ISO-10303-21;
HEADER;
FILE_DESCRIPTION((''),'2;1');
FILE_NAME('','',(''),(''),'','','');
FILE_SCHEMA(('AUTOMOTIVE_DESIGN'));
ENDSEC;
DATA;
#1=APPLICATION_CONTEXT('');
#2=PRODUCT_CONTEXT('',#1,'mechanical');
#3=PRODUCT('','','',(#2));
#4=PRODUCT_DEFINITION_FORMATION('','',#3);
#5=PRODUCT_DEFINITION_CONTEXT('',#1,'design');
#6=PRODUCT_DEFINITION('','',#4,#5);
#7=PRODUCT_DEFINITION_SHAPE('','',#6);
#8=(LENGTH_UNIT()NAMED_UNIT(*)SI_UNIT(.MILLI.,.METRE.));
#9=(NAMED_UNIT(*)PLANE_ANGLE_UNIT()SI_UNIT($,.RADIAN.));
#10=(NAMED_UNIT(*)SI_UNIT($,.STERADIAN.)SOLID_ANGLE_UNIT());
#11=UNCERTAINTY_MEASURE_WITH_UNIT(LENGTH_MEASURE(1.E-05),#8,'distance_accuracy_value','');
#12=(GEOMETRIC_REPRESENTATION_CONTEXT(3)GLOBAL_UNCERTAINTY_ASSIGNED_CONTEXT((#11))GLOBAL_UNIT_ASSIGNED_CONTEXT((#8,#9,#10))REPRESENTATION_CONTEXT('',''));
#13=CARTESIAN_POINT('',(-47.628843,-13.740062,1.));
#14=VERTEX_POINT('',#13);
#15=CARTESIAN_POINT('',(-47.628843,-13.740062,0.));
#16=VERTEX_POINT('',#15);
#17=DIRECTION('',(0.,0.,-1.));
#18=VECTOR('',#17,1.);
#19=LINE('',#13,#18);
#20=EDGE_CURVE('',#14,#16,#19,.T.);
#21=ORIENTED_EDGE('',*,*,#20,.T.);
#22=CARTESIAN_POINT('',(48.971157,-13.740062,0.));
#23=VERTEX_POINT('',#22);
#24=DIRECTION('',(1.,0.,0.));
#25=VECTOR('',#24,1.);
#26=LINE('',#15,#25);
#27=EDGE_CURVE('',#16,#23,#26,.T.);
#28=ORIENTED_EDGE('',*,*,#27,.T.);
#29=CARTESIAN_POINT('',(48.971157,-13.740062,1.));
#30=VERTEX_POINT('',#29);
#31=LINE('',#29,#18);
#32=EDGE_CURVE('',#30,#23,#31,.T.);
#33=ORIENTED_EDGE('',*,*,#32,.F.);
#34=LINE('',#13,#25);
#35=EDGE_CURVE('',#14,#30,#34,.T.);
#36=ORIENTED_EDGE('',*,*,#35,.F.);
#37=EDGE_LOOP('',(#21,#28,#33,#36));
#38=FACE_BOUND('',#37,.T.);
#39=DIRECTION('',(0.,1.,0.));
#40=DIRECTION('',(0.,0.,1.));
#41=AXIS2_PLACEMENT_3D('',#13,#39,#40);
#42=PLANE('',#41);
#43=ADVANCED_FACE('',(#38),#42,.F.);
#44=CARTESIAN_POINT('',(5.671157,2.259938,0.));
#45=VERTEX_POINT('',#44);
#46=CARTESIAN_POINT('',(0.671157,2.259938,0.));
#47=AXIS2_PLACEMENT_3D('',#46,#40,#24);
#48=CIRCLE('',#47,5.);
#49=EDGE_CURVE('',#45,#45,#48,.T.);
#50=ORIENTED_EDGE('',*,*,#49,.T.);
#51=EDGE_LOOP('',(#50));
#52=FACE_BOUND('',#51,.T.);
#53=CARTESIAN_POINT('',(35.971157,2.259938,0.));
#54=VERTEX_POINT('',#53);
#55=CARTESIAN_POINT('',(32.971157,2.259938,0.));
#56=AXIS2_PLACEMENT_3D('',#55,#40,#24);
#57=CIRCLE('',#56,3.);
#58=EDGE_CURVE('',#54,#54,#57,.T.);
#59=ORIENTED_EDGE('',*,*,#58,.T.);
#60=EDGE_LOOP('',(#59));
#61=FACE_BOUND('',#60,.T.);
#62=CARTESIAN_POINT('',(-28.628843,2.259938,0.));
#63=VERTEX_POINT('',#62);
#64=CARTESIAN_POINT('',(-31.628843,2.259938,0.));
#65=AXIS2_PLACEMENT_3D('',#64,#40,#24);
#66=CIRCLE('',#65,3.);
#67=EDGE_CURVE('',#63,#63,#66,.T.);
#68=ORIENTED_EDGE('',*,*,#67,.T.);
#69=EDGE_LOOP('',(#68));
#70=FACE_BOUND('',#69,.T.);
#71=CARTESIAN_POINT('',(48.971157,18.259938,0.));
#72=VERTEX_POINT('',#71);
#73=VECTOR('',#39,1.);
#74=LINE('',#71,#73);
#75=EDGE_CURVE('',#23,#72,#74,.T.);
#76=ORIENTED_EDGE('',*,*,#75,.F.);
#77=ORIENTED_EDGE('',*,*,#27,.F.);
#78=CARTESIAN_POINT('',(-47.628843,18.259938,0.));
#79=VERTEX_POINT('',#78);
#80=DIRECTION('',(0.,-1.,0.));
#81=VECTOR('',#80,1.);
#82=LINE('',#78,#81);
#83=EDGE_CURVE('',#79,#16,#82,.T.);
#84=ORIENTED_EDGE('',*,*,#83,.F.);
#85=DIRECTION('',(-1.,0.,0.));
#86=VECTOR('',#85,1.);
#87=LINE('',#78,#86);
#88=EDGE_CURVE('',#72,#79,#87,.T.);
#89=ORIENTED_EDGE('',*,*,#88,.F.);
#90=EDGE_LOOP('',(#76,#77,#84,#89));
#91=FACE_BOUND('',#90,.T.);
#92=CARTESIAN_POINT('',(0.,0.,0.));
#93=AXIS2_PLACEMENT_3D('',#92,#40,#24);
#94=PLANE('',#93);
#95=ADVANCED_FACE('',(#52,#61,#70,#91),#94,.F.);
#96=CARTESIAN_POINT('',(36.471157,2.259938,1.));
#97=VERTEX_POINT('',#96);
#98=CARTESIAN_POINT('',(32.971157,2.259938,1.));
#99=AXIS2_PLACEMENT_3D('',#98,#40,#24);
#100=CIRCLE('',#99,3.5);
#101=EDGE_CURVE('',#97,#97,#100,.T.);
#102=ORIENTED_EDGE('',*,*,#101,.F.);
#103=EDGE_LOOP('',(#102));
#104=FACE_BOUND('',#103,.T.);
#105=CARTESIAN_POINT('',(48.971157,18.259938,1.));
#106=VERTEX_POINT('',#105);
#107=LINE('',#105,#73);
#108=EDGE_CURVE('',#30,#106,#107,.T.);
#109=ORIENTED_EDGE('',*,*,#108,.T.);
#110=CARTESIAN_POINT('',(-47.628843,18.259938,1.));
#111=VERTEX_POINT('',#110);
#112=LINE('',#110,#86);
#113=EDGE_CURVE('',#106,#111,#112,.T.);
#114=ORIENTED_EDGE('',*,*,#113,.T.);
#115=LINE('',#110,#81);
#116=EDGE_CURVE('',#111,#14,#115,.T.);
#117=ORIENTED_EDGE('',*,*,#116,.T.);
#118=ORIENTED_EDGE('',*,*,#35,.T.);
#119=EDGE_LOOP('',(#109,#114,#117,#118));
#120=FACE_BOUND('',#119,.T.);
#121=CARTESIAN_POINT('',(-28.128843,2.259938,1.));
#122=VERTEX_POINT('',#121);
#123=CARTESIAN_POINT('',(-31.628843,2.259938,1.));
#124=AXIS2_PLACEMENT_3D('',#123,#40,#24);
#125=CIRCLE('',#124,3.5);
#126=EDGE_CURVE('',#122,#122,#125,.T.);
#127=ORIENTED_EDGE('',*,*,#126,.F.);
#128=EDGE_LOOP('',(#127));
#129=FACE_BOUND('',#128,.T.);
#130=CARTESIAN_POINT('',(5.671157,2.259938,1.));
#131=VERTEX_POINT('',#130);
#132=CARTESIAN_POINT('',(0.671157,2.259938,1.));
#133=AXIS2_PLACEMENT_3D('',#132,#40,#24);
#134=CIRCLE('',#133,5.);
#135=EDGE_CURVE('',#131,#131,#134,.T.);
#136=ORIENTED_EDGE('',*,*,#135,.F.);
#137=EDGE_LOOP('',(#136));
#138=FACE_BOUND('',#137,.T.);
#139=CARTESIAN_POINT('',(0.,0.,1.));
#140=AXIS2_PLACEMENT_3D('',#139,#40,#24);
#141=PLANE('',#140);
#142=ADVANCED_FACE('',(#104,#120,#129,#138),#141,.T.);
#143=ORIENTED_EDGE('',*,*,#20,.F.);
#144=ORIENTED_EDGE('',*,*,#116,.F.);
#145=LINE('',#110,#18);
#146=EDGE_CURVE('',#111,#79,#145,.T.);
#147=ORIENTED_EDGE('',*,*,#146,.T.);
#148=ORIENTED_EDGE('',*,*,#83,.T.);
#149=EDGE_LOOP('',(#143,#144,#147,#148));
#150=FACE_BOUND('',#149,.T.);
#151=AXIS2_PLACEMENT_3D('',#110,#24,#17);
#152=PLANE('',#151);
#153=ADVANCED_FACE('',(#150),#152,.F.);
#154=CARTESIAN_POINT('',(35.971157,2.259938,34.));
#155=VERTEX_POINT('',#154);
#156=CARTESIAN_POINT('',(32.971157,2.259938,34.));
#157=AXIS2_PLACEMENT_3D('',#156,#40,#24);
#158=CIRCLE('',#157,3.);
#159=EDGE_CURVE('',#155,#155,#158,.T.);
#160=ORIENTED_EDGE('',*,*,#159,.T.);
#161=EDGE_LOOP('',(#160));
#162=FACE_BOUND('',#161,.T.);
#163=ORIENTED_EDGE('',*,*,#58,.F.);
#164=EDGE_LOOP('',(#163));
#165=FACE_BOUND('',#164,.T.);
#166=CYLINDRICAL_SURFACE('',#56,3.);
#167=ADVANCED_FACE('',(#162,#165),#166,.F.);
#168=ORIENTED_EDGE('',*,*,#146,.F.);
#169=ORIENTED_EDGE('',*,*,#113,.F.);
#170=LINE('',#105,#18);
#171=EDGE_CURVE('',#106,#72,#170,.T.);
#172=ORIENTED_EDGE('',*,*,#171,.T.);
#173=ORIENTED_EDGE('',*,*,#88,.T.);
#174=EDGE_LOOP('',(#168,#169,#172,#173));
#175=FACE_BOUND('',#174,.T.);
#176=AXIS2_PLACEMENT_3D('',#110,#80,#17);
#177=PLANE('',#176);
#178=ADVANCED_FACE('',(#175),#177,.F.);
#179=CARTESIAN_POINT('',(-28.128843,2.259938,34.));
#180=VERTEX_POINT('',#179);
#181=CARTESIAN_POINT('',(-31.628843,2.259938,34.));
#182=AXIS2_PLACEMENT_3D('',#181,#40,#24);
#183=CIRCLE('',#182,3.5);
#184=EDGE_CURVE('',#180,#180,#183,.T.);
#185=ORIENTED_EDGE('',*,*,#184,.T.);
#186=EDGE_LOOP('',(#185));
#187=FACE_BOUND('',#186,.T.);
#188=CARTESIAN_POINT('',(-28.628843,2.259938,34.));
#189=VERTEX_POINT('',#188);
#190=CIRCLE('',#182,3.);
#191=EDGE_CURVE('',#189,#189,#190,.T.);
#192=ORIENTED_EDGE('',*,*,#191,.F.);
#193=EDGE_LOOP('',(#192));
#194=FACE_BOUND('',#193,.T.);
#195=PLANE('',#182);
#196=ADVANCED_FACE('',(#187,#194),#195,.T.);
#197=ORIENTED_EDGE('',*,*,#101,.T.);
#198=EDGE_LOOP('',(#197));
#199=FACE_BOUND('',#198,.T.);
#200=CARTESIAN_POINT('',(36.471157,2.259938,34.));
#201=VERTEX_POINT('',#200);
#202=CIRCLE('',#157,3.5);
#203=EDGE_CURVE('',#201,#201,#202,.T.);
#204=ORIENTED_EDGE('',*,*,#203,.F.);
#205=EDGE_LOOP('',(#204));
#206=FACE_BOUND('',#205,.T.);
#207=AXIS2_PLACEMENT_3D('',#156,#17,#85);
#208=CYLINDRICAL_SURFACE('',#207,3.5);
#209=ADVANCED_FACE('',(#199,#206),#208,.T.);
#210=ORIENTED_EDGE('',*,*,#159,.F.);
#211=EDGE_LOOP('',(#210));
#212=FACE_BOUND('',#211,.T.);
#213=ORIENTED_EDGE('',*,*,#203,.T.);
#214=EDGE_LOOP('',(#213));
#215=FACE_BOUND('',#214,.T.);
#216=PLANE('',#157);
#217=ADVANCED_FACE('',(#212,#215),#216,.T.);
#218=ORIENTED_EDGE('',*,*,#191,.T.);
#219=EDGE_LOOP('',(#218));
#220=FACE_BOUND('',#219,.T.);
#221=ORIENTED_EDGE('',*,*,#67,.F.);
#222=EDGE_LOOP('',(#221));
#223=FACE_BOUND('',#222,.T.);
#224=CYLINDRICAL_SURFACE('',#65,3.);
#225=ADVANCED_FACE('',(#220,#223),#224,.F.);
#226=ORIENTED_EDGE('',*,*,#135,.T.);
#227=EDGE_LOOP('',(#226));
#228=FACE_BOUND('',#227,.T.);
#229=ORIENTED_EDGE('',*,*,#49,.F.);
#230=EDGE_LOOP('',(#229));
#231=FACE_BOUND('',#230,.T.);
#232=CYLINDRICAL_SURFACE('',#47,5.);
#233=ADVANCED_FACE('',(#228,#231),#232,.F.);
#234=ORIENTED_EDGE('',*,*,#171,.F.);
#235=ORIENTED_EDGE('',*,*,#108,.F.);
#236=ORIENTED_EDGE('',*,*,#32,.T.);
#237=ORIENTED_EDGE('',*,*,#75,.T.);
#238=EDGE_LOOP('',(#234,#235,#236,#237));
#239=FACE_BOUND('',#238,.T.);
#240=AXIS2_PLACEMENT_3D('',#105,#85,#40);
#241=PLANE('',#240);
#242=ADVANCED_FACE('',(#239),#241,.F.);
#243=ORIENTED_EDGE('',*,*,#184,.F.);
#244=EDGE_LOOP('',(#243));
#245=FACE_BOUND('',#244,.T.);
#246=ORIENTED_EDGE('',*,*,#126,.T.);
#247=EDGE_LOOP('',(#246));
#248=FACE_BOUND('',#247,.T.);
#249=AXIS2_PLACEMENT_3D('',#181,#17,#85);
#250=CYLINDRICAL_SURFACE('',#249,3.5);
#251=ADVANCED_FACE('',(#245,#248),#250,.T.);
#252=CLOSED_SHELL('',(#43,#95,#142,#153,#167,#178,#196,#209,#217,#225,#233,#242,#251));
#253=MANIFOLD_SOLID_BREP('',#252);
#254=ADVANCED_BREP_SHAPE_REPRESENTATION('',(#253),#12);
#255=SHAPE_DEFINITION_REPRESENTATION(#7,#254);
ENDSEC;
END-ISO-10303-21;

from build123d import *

# Parameters (mm, degrees)
ESQUISSE1_W             = 96.6
ESQUISSE1_H             = 32
BOSS_EXTRU_1_DEPTH      = 1
ESQUISSE6_R             = 3.5
BOSS_EXTRU_2_DEPTH      = 33
ESQUISSE7_R             = 3
ESQUISSE7_R_2           = 5
ENL_V_MAT_EXTRU_1_DEPTH = 63.350617772


with BuildPart() as part:
    # Esquisse1 → Boss.-Extru.1 (new body)
    with BuildSketch(Plane.XY):
        with Locations((0.671156739, 2.259938231)):
            Rectangle(ESQUISSE1_W, ESQUISSE1_H)
    extrude(amount=BOSS_EXTRU_1_DEPTH)

    # Esquisse6 → Boss.-Extru.2 (add)
    with BuildSketch(Plane.XY.offset(1)):
        with Locations((-31.628843261, 2.259938231)):
            Circle(ESQUISSE6_R)
        with Locations((32.971156739, 2.259938231)):
            Circle(ESQUISSE6_R)
    extrude(amount=BOSS_EXTRU_2_DEPTH)

    # Esquisse7 → Enlèv. mat.-Extru.1 (cut, through all)
    with BuildSketch(Plane.XY.offset(34)):
        with Locations((-31.628843261, 2.259938231)):
            Circle(ESQUISSE7_R)
        with Locations((32.971156739, 2.259938231)):
            Circle(ESQUISSE7_R)
        with Locations((0.671156739, 2.259938231)):
            Circle(ESQUISSE7_R_2)
    extrude(amount=-ENL_V_MAT_EXTRU_1_DEPTH, mode=Mode.SUBTRACT)


solid = part.part
